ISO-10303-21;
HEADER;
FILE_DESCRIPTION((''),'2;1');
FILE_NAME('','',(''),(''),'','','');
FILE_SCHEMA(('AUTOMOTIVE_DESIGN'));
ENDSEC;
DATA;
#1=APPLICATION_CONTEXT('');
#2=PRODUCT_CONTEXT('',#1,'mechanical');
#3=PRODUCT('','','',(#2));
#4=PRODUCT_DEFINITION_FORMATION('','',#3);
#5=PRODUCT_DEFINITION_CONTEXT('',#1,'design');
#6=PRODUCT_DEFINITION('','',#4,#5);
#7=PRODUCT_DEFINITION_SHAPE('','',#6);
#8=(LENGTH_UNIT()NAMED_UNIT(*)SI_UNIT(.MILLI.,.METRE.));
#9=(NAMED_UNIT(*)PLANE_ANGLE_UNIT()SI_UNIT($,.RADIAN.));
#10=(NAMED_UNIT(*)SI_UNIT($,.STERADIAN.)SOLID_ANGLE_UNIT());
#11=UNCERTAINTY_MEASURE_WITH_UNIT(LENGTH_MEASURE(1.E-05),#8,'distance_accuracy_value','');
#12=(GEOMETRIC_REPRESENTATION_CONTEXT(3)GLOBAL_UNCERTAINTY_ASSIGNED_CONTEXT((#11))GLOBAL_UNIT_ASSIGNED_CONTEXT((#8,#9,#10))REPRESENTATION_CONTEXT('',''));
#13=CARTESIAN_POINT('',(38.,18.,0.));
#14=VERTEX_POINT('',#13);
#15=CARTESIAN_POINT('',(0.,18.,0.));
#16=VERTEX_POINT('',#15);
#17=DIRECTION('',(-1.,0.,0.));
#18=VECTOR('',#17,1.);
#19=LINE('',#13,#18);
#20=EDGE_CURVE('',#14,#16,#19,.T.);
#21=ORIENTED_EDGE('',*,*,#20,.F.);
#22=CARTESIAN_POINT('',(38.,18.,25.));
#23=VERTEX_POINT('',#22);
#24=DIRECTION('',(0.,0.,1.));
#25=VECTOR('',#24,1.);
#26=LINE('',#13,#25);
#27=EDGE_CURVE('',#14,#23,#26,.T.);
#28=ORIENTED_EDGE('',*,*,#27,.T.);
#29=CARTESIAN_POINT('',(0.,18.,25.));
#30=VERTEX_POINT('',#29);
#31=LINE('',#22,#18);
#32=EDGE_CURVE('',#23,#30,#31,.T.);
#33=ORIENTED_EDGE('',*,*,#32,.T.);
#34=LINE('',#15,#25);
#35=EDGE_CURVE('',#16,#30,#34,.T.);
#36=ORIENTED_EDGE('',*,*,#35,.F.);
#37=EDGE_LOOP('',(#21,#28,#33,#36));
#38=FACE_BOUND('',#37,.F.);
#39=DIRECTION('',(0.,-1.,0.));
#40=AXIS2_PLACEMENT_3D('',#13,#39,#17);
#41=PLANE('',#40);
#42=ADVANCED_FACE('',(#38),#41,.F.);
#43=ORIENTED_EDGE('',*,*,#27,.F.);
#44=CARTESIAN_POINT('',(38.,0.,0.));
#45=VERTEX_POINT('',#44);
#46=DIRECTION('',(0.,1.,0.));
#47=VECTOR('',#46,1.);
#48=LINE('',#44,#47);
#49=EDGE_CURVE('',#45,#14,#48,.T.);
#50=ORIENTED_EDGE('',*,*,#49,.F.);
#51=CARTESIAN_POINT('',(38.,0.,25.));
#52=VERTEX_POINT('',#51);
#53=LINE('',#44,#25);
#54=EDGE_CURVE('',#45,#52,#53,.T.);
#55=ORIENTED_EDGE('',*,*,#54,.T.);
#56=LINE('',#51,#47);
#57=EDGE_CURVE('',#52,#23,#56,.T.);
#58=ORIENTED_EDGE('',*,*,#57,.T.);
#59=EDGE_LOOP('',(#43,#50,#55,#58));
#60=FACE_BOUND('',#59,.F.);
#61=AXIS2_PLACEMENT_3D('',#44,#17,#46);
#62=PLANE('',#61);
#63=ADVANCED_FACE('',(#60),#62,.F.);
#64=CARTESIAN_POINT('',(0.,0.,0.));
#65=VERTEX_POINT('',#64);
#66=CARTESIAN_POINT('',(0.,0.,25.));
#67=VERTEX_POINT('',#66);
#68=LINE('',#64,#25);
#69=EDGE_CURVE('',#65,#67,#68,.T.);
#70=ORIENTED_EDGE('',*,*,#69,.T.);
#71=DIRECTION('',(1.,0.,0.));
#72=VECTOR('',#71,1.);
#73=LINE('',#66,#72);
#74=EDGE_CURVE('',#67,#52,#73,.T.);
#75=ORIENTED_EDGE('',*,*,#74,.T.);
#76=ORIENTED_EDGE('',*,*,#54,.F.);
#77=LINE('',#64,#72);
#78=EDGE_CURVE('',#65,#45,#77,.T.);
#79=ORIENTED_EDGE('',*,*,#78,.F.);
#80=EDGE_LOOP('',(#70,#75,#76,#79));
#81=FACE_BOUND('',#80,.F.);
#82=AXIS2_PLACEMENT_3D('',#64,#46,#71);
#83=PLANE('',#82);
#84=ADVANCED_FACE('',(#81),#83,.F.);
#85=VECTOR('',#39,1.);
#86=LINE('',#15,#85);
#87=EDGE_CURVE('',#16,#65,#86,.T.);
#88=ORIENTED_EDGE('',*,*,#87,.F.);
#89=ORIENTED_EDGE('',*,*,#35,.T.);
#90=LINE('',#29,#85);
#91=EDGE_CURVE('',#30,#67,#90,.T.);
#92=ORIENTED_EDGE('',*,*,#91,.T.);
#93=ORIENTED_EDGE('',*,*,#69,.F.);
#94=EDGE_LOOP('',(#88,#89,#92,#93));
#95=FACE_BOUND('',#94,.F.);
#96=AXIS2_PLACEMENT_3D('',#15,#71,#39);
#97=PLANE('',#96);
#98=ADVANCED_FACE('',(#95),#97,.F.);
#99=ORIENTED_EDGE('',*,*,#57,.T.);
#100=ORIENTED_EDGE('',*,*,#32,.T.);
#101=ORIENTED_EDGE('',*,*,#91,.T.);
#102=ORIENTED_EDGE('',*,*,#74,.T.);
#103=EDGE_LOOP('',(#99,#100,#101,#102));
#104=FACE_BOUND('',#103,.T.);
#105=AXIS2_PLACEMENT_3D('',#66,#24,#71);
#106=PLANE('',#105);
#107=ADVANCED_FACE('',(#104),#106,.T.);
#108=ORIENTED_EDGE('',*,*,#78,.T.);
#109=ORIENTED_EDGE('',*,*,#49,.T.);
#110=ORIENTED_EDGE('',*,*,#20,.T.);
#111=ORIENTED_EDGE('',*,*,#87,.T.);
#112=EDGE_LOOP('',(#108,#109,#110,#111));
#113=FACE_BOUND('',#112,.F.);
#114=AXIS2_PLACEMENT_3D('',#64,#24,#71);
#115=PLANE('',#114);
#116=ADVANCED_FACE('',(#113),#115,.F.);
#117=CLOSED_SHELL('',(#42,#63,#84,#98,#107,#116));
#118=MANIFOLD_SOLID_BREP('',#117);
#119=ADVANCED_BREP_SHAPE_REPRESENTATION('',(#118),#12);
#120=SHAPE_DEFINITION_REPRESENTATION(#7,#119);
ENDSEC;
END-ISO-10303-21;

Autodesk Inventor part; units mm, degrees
ref_plane "YZ Plane" through (0, 0, 0) normal (1, 0, 0) x (0, 1, 0)
ref_plane "XZ Plane" through (0, 0, 0) normal (0, 1, 0) x (-1, 0, 0)
ref_plane "XY Plane" through (0, 0, 0) normal (0, 0, 1) x (1, 0, 0)
sketch "Sketch1" plane through (0, 0, 0) normal (0, 0, 1) x (1, 0, 0)
  line L0 (0, 0) -> (38, 0)
  line L1 (38, 0) -> (38, 18)
  line L2 (38, 18) -> (0, 18)
  line L3 (0, 18) -> (0, 0)
  dimension "d0" = 38
  dimension "d1" = 18
extrude "Extrusion1" add sketch "Sketch1" along normal blind 25
properties part number "IntersectionCube"
